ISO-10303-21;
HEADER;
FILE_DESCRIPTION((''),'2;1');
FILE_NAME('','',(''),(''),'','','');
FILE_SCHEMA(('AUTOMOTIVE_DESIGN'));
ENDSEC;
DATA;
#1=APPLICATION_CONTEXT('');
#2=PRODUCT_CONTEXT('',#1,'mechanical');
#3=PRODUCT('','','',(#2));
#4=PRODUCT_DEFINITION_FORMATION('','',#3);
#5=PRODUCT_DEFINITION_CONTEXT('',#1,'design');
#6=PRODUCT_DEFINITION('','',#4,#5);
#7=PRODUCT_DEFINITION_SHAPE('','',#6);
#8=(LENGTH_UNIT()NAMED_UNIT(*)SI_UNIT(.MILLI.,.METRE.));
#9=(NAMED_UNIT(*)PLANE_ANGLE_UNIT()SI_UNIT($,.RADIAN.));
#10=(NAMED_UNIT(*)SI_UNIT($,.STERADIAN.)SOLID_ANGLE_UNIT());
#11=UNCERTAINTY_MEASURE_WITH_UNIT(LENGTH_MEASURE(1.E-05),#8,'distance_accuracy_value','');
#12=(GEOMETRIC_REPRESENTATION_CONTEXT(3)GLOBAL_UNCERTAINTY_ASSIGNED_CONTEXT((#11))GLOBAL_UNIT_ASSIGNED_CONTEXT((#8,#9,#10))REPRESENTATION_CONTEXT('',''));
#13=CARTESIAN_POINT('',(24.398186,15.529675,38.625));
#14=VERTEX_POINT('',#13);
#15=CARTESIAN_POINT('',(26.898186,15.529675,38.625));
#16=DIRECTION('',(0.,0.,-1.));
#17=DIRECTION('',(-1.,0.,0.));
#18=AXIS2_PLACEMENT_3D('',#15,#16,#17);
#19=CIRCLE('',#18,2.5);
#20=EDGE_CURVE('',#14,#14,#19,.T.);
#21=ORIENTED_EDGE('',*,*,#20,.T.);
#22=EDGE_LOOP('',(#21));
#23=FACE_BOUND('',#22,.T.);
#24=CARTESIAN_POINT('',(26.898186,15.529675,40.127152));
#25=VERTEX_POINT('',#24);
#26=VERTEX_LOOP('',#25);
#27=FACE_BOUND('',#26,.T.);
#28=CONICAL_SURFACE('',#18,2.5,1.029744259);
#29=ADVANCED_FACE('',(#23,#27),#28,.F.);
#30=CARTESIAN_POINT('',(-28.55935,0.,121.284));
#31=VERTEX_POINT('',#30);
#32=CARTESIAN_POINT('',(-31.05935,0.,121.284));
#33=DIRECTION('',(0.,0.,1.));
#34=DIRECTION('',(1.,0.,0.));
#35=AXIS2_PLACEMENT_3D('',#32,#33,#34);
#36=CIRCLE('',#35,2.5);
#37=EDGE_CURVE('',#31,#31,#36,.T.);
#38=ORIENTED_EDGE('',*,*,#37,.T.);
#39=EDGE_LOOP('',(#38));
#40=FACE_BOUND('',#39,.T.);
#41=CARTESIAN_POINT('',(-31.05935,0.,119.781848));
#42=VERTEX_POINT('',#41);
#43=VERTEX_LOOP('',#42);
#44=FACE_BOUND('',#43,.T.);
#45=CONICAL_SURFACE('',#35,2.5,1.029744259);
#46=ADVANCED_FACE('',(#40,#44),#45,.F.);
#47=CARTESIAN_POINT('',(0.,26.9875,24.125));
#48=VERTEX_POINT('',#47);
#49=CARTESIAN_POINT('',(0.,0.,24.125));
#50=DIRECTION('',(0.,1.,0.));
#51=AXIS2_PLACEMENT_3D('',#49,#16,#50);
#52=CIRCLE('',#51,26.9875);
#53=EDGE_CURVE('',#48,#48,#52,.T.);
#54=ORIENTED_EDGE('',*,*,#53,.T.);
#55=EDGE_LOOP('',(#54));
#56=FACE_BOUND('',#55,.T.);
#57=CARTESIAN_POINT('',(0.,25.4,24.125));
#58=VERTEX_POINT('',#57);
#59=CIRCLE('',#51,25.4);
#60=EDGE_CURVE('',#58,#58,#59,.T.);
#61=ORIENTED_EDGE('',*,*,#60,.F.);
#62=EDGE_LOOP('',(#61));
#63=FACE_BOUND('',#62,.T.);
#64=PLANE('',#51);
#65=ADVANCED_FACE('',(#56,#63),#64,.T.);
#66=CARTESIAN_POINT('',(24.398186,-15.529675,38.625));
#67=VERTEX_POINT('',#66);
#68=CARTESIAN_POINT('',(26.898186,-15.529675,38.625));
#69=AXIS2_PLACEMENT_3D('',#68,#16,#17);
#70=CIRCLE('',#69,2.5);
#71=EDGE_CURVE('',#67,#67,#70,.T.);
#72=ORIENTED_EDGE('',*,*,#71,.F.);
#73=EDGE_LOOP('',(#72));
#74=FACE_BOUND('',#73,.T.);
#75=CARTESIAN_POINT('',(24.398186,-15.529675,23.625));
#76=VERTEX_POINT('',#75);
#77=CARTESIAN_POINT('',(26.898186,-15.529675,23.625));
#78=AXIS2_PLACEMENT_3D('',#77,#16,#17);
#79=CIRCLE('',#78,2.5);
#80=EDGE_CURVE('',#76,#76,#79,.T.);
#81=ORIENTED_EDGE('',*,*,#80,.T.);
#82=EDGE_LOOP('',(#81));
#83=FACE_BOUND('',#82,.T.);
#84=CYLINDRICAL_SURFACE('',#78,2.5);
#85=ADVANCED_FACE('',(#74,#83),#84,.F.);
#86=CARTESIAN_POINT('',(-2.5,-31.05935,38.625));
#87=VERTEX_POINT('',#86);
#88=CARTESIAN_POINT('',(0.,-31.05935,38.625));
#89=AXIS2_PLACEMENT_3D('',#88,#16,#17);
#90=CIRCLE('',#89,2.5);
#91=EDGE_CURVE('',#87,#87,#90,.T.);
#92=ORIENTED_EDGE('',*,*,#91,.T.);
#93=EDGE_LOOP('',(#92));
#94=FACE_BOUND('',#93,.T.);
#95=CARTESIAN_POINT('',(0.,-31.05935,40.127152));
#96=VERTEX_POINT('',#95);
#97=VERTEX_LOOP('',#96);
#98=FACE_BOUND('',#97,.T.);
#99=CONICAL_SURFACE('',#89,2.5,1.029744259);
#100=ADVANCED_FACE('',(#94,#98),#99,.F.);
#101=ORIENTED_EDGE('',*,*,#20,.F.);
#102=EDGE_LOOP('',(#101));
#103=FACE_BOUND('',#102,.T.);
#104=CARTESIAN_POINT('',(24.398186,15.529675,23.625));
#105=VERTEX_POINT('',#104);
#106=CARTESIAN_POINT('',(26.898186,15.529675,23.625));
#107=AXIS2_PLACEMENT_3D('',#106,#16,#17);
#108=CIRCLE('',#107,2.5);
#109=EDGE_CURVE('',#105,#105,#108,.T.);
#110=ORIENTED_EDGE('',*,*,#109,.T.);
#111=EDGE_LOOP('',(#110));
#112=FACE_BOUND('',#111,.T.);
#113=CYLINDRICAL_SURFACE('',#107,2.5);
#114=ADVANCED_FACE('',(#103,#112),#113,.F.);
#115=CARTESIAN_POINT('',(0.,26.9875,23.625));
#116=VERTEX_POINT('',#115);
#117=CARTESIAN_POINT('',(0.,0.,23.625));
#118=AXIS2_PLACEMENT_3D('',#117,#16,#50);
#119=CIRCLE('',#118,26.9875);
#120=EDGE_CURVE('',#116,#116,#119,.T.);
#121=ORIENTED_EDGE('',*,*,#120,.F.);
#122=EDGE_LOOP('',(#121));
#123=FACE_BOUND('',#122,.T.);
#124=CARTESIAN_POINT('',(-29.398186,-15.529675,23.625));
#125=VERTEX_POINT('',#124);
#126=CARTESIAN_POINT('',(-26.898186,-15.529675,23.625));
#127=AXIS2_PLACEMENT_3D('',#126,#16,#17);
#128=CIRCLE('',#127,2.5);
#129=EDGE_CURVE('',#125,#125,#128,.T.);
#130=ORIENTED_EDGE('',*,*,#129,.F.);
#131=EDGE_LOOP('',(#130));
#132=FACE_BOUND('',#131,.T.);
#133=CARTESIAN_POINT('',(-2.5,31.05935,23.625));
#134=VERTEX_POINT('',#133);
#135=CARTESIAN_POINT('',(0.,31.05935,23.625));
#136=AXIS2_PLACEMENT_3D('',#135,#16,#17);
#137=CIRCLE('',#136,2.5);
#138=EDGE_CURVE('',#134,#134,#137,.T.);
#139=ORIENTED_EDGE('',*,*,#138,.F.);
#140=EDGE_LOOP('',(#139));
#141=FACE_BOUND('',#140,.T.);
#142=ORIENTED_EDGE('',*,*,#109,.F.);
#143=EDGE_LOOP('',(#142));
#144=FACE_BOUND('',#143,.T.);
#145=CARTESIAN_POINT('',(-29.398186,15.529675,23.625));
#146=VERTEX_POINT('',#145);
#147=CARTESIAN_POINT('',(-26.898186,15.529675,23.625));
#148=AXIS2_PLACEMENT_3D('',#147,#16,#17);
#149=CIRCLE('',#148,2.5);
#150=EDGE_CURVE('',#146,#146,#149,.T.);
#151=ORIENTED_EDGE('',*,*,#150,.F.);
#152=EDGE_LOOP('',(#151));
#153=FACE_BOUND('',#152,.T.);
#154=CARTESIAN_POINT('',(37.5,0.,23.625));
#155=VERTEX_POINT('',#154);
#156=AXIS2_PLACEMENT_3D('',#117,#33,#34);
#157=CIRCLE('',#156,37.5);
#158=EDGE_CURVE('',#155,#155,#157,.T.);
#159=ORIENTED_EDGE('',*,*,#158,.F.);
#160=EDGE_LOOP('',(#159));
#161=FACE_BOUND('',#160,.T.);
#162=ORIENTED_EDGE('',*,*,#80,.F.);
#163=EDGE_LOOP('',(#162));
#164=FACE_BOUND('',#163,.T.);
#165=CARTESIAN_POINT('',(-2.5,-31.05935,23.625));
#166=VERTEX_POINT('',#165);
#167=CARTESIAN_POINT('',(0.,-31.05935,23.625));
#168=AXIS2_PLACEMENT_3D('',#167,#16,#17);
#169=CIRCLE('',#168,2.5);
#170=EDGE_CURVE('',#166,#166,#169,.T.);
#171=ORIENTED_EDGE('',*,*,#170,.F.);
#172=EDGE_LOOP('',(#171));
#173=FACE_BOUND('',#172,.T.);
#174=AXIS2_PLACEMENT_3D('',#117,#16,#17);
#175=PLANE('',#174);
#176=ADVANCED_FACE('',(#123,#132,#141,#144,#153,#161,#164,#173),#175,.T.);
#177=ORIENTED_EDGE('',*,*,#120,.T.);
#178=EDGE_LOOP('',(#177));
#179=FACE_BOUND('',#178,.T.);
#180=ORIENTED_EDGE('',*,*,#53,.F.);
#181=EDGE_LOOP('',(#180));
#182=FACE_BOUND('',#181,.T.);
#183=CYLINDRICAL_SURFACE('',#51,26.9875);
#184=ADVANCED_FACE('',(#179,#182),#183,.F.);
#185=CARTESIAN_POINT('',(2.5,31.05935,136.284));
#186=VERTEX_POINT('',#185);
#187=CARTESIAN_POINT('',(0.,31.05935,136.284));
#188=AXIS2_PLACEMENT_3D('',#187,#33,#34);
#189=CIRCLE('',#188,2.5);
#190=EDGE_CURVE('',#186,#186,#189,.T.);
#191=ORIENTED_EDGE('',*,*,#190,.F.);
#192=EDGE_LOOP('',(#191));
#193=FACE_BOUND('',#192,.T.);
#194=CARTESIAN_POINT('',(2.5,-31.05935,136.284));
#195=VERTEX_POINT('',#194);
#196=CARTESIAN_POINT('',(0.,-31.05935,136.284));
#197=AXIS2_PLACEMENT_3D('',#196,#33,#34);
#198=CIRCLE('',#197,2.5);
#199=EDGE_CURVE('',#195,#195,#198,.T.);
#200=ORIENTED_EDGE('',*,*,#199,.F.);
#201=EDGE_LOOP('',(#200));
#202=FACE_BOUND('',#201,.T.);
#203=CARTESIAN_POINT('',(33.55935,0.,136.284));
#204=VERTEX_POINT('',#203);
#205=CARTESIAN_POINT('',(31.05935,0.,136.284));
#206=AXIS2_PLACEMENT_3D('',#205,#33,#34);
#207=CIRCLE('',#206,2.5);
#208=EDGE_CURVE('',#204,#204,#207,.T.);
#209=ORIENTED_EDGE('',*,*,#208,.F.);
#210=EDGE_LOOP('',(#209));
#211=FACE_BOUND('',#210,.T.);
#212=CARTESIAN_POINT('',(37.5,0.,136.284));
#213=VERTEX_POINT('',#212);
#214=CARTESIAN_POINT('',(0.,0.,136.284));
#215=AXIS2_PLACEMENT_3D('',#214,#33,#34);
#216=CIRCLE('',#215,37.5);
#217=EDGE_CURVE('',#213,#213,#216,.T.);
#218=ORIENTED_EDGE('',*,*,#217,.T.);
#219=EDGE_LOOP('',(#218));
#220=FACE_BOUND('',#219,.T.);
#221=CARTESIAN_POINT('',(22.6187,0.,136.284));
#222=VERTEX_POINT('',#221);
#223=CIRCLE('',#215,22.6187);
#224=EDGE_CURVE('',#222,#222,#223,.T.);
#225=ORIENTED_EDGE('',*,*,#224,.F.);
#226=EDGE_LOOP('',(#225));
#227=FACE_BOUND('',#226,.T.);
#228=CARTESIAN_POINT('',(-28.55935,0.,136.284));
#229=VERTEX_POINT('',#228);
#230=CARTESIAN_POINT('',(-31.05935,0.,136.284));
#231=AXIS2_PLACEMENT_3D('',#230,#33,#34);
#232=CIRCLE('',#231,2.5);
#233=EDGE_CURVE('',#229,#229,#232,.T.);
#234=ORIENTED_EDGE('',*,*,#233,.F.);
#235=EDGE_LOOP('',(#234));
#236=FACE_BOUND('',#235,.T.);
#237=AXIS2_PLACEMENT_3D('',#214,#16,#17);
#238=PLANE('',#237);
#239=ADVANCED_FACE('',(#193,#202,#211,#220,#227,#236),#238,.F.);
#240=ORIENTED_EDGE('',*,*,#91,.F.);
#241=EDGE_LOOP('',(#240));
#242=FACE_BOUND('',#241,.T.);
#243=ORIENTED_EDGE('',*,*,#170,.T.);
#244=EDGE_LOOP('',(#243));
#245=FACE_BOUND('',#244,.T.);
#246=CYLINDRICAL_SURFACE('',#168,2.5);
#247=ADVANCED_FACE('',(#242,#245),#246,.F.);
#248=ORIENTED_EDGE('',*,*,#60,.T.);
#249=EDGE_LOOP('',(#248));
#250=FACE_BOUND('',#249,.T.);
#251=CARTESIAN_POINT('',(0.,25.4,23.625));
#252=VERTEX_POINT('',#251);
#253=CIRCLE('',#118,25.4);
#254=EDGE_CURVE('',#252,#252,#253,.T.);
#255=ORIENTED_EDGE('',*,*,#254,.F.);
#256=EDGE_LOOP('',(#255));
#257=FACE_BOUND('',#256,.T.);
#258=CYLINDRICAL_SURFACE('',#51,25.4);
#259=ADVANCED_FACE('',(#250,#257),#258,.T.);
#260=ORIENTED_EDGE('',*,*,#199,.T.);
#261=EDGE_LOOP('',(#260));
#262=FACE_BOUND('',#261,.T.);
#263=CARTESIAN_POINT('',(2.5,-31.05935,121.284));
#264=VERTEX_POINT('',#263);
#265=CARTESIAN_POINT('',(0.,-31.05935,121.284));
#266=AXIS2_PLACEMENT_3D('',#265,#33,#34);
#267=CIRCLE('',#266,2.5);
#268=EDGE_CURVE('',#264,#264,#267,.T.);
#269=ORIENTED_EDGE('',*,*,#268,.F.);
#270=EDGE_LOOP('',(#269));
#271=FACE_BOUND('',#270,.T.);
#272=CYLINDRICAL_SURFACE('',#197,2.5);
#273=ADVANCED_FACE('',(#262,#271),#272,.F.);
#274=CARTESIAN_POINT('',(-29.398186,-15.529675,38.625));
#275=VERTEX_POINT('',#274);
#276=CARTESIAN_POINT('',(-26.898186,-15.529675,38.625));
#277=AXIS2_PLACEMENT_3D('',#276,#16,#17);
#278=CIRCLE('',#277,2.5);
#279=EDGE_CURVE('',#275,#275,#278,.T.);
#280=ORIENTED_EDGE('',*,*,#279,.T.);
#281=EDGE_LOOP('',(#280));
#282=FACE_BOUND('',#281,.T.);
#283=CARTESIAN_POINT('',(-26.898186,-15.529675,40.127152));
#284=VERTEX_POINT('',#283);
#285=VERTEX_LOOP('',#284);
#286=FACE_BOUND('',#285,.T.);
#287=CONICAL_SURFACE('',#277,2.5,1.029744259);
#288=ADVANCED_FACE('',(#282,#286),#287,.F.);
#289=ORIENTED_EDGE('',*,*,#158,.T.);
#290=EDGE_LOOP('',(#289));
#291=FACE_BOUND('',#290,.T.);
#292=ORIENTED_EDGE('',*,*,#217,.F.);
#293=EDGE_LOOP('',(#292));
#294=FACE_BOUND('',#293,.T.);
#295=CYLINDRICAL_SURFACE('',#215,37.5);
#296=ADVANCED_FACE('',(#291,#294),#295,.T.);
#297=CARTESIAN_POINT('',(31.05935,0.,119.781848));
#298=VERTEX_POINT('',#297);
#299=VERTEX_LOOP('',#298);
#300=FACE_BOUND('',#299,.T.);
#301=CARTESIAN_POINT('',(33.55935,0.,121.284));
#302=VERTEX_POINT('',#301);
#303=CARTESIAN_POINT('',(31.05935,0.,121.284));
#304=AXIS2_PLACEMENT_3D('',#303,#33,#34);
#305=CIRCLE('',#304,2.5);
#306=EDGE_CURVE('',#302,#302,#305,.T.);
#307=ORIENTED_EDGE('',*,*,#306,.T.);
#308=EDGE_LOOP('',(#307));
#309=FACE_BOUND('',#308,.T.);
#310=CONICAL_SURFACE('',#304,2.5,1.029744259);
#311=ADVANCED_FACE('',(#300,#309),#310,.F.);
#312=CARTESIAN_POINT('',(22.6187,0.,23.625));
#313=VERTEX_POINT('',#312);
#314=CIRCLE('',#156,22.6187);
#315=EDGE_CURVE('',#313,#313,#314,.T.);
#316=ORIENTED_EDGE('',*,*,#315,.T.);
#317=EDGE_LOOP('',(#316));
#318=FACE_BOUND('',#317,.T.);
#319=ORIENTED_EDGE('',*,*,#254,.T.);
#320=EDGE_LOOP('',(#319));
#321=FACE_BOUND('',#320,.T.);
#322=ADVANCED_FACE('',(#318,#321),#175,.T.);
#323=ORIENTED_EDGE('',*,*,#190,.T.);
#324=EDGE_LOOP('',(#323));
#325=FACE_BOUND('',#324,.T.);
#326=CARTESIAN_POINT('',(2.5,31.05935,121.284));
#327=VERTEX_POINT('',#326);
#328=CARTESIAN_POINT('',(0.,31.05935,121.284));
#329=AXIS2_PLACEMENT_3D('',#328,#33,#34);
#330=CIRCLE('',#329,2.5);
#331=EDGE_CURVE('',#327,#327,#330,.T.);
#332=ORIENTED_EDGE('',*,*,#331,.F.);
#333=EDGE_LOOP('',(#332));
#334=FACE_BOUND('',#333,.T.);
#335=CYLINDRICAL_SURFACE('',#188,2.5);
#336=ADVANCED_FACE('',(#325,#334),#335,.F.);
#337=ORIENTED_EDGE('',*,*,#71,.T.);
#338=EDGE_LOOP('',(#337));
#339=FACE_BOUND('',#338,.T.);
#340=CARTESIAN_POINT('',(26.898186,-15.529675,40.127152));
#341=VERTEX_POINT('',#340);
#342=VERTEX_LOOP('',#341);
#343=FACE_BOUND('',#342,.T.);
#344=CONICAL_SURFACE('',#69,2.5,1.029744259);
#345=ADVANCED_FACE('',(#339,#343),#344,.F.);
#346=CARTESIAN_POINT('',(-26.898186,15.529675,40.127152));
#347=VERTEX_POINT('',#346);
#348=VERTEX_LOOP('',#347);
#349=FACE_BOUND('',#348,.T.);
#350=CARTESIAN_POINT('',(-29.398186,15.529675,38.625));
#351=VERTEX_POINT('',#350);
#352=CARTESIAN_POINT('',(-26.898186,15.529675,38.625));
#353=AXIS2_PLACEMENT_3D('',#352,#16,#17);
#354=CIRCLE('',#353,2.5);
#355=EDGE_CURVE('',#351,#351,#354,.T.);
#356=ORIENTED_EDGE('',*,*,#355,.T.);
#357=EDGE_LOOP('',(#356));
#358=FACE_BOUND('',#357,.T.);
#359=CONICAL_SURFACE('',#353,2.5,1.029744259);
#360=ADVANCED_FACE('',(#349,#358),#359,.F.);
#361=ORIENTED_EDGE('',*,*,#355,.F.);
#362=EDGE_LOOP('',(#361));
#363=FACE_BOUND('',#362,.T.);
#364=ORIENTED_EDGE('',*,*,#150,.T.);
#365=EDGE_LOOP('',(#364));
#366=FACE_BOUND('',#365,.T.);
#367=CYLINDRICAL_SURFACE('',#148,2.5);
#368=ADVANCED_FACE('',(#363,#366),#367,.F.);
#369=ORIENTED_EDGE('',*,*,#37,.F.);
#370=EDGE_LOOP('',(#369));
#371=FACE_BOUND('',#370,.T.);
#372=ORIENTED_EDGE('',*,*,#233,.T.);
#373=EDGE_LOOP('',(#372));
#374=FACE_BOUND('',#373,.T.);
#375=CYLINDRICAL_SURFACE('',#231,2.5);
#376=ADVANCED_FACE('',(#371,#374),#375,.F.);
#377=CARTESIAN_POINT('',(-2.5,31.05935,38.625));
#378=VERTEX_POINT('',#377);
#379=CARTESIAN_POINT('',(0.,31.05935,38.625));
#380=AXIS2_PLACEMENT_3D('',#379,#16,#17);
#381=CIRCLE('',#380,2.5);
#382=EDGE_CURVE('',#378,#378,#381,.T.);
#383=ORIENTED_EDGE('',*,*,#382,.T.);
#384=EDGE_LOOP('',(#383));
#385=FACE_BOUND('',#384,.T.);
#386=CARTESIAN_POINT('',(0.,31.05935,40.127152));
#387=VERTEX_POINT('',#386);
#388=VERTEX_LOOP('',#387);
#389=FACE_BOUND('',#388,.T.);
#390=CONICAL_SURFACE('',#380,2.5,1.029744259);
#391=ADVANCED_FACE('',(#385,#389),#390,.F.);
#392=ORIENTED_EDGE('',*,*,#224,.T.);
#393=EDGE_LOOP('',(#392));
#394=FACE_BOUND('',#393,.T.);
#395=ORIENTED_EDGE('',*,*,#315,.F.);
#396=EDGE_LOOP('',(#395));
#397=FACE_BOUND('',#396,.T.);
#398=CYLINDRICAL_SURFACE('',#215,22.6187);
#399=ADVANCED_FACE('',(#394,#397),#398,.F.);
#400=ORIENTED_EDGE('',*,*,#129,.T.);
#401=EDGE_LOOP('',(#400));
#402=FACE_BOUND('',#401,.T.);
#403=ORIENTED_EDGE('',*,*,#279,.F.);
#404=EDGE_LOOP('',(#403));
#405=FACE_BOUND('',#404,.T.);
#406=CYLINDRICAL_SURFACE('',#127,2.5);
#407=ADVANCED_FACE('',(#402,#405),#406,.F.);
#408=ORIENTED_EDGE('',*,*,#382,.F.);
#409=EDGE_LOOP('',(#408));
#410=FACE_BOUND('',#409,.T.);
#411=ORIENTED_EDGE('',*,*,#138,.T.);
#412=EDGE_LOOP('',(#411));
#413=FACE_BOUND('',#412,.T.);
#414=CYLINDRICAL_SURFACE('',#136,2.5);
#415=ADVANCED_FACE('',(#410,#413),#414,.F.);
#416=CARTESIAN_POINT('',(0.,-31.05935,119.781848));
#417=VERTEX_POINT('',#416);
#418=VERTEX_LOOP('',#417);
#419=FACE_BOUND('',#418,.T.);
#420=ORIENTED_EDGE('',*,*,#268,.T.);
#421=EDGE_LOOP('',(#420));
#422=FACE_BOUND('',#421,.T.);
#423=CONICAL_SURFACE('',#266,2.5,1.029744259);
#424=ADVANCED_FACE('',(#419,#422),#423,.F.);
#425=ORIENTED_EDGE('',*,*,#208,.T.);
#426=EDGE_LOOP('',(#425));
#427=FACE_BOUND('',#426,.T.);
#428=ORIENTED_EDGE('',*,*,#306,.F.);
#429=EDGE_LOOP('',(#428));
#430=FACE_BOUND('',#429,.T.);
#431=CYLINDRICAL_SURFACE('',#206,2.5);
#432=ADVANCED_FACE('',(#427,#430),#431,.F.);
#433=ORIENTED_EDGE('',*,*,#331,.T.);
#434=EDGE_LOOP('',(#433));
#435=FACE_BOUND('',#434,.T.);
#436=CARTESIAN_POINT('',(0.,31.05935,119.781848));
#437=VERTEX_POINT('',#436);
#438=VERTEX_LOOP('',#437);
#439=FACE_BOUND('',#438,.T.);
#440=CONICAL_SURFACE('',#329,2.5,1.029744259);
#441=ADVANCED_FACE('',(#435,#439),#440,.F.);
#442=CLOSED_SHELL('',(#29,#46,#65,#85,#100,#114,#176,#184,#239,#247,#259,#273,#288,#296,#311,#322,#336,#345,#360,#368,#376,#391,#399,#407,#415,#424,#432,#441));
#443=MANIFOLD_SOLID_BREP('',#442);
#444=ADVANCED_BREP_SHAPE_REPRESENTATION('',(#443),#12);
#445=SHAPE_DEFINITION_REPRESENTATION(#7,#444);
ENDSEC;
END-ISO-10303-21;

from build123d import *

# Parameters (mm, degrees)
SKETCH1_W              = 112.659
SKETCH1_H              = 14.8813
BACKFACEPATTERN_COUNT  = 6
FRONTFACEPATTERN_COUNT = 4
SKETCH7_R              = 26.9875
SKETCH7_R_2            = 25.4
CUT_EXTRUDE1_DEPTH     = 0.5


with BuildPart() as part:
    # Sketch1 → Revolve1 (revolve)
    with BuildSketch(Plane(origin=(0, 0, 0), x_dir=(0, 0, -1), z_dir=(1, 0, 0)), mode=Mode.PRIVATE) as revolve1_sk:
        with Locations((-79.9545, 30.05935)):
            Rectangle(SKETCH1_W, SKETCH1_H)
    revolve(revolve1_sk.sketch.rotate(Axis((0, 0, 136.284), (0, 0, -1)), 90), axis=Axis((0, 0, 136.284), (0, 0, -1)))

    # Sketch9 → M6x1.0 Tapped Hole3 (revolve, cut)
    with BuildSketch(Plane(origin=(0, 31.05935, 23.625), x_dir=(0, 1, 0), z_dir=(1, 0, 0))):
        Polygon((0, 0), (0, 16.502151548), (2.5, 15), (2.5, 0), align=None)
    m6x1_0_tapped_hole3 = revolve(axis=Axis((0, 31.05935, 17.275), (0, 0, 1)), mode=Mode.SUBTRACT)

    # BackFacePattern: M6x1.0 Tapped Hole3 ×6 about axis
    backfacepattern_axis = Axis((0, 0, 0), (0, 0, 1))
    for i in range(1, BACKFACEPATTERN_COUNT):
        add(m6x1_0_tapped_hole3.rotate(backfacepattern_axis, i * 360 / BACKFACEPATTERN_COUNT), mode=Mode.SUBTRACT)

    # Sketch6 → M6x1.0 Tapped Hole2 (revolve, cut)
    with BuildSketch(Plane(origin=(0, 31.05935, 136.284), x_dir=(0, -1, 0), z_dir=(1, 0, 0))):
        Polygon((0, 0), (0, 16.502151548), (2.5, 15), (2.5, 0), align=None)
    m6x1_0_tapped_hole2 = revolve(axis=Axis((0, 31.05935, 142.634), (0, 0, -1)), mode=Mode.SUBTRACT)

    # FrontFacePattern: M6x1.0 Tapped Hole2 ×4 about axis
    frontfacepattern_axis = Axis((0, 0, 0), (0, 0, 1))
    for i in range(1, FRONTFACEPATTERN_COUNT):
        add(m6x1_0_tapped_hole2.rotate(frontfacepattern_axis, i * 360 / FRONTFACEPATTERN_COUNT), mode=Mode.SUBTRACT)

    # Sketch7 → Cut-Extrude1 (cut)
    with BuildSketch(Plane(origin=(0, 0, 23.625), x_dir=(-1, 0, 0), z_dir=(0, 0, -1))):
        with Locations(Location((0, 0, 0), (0, 0, 90))):
            Circle(SKETCH7_R)
        with Locations(Location((0, 0, 0), (0, 0, 90))):
            Circle(SKETCH7_R_2, mode=Mode.SUBTRACT)
    extrude(amount=-CUT_EXTRUDE1_DEPTH, mode=Mode.SUBTRACT)


solid = part.part
